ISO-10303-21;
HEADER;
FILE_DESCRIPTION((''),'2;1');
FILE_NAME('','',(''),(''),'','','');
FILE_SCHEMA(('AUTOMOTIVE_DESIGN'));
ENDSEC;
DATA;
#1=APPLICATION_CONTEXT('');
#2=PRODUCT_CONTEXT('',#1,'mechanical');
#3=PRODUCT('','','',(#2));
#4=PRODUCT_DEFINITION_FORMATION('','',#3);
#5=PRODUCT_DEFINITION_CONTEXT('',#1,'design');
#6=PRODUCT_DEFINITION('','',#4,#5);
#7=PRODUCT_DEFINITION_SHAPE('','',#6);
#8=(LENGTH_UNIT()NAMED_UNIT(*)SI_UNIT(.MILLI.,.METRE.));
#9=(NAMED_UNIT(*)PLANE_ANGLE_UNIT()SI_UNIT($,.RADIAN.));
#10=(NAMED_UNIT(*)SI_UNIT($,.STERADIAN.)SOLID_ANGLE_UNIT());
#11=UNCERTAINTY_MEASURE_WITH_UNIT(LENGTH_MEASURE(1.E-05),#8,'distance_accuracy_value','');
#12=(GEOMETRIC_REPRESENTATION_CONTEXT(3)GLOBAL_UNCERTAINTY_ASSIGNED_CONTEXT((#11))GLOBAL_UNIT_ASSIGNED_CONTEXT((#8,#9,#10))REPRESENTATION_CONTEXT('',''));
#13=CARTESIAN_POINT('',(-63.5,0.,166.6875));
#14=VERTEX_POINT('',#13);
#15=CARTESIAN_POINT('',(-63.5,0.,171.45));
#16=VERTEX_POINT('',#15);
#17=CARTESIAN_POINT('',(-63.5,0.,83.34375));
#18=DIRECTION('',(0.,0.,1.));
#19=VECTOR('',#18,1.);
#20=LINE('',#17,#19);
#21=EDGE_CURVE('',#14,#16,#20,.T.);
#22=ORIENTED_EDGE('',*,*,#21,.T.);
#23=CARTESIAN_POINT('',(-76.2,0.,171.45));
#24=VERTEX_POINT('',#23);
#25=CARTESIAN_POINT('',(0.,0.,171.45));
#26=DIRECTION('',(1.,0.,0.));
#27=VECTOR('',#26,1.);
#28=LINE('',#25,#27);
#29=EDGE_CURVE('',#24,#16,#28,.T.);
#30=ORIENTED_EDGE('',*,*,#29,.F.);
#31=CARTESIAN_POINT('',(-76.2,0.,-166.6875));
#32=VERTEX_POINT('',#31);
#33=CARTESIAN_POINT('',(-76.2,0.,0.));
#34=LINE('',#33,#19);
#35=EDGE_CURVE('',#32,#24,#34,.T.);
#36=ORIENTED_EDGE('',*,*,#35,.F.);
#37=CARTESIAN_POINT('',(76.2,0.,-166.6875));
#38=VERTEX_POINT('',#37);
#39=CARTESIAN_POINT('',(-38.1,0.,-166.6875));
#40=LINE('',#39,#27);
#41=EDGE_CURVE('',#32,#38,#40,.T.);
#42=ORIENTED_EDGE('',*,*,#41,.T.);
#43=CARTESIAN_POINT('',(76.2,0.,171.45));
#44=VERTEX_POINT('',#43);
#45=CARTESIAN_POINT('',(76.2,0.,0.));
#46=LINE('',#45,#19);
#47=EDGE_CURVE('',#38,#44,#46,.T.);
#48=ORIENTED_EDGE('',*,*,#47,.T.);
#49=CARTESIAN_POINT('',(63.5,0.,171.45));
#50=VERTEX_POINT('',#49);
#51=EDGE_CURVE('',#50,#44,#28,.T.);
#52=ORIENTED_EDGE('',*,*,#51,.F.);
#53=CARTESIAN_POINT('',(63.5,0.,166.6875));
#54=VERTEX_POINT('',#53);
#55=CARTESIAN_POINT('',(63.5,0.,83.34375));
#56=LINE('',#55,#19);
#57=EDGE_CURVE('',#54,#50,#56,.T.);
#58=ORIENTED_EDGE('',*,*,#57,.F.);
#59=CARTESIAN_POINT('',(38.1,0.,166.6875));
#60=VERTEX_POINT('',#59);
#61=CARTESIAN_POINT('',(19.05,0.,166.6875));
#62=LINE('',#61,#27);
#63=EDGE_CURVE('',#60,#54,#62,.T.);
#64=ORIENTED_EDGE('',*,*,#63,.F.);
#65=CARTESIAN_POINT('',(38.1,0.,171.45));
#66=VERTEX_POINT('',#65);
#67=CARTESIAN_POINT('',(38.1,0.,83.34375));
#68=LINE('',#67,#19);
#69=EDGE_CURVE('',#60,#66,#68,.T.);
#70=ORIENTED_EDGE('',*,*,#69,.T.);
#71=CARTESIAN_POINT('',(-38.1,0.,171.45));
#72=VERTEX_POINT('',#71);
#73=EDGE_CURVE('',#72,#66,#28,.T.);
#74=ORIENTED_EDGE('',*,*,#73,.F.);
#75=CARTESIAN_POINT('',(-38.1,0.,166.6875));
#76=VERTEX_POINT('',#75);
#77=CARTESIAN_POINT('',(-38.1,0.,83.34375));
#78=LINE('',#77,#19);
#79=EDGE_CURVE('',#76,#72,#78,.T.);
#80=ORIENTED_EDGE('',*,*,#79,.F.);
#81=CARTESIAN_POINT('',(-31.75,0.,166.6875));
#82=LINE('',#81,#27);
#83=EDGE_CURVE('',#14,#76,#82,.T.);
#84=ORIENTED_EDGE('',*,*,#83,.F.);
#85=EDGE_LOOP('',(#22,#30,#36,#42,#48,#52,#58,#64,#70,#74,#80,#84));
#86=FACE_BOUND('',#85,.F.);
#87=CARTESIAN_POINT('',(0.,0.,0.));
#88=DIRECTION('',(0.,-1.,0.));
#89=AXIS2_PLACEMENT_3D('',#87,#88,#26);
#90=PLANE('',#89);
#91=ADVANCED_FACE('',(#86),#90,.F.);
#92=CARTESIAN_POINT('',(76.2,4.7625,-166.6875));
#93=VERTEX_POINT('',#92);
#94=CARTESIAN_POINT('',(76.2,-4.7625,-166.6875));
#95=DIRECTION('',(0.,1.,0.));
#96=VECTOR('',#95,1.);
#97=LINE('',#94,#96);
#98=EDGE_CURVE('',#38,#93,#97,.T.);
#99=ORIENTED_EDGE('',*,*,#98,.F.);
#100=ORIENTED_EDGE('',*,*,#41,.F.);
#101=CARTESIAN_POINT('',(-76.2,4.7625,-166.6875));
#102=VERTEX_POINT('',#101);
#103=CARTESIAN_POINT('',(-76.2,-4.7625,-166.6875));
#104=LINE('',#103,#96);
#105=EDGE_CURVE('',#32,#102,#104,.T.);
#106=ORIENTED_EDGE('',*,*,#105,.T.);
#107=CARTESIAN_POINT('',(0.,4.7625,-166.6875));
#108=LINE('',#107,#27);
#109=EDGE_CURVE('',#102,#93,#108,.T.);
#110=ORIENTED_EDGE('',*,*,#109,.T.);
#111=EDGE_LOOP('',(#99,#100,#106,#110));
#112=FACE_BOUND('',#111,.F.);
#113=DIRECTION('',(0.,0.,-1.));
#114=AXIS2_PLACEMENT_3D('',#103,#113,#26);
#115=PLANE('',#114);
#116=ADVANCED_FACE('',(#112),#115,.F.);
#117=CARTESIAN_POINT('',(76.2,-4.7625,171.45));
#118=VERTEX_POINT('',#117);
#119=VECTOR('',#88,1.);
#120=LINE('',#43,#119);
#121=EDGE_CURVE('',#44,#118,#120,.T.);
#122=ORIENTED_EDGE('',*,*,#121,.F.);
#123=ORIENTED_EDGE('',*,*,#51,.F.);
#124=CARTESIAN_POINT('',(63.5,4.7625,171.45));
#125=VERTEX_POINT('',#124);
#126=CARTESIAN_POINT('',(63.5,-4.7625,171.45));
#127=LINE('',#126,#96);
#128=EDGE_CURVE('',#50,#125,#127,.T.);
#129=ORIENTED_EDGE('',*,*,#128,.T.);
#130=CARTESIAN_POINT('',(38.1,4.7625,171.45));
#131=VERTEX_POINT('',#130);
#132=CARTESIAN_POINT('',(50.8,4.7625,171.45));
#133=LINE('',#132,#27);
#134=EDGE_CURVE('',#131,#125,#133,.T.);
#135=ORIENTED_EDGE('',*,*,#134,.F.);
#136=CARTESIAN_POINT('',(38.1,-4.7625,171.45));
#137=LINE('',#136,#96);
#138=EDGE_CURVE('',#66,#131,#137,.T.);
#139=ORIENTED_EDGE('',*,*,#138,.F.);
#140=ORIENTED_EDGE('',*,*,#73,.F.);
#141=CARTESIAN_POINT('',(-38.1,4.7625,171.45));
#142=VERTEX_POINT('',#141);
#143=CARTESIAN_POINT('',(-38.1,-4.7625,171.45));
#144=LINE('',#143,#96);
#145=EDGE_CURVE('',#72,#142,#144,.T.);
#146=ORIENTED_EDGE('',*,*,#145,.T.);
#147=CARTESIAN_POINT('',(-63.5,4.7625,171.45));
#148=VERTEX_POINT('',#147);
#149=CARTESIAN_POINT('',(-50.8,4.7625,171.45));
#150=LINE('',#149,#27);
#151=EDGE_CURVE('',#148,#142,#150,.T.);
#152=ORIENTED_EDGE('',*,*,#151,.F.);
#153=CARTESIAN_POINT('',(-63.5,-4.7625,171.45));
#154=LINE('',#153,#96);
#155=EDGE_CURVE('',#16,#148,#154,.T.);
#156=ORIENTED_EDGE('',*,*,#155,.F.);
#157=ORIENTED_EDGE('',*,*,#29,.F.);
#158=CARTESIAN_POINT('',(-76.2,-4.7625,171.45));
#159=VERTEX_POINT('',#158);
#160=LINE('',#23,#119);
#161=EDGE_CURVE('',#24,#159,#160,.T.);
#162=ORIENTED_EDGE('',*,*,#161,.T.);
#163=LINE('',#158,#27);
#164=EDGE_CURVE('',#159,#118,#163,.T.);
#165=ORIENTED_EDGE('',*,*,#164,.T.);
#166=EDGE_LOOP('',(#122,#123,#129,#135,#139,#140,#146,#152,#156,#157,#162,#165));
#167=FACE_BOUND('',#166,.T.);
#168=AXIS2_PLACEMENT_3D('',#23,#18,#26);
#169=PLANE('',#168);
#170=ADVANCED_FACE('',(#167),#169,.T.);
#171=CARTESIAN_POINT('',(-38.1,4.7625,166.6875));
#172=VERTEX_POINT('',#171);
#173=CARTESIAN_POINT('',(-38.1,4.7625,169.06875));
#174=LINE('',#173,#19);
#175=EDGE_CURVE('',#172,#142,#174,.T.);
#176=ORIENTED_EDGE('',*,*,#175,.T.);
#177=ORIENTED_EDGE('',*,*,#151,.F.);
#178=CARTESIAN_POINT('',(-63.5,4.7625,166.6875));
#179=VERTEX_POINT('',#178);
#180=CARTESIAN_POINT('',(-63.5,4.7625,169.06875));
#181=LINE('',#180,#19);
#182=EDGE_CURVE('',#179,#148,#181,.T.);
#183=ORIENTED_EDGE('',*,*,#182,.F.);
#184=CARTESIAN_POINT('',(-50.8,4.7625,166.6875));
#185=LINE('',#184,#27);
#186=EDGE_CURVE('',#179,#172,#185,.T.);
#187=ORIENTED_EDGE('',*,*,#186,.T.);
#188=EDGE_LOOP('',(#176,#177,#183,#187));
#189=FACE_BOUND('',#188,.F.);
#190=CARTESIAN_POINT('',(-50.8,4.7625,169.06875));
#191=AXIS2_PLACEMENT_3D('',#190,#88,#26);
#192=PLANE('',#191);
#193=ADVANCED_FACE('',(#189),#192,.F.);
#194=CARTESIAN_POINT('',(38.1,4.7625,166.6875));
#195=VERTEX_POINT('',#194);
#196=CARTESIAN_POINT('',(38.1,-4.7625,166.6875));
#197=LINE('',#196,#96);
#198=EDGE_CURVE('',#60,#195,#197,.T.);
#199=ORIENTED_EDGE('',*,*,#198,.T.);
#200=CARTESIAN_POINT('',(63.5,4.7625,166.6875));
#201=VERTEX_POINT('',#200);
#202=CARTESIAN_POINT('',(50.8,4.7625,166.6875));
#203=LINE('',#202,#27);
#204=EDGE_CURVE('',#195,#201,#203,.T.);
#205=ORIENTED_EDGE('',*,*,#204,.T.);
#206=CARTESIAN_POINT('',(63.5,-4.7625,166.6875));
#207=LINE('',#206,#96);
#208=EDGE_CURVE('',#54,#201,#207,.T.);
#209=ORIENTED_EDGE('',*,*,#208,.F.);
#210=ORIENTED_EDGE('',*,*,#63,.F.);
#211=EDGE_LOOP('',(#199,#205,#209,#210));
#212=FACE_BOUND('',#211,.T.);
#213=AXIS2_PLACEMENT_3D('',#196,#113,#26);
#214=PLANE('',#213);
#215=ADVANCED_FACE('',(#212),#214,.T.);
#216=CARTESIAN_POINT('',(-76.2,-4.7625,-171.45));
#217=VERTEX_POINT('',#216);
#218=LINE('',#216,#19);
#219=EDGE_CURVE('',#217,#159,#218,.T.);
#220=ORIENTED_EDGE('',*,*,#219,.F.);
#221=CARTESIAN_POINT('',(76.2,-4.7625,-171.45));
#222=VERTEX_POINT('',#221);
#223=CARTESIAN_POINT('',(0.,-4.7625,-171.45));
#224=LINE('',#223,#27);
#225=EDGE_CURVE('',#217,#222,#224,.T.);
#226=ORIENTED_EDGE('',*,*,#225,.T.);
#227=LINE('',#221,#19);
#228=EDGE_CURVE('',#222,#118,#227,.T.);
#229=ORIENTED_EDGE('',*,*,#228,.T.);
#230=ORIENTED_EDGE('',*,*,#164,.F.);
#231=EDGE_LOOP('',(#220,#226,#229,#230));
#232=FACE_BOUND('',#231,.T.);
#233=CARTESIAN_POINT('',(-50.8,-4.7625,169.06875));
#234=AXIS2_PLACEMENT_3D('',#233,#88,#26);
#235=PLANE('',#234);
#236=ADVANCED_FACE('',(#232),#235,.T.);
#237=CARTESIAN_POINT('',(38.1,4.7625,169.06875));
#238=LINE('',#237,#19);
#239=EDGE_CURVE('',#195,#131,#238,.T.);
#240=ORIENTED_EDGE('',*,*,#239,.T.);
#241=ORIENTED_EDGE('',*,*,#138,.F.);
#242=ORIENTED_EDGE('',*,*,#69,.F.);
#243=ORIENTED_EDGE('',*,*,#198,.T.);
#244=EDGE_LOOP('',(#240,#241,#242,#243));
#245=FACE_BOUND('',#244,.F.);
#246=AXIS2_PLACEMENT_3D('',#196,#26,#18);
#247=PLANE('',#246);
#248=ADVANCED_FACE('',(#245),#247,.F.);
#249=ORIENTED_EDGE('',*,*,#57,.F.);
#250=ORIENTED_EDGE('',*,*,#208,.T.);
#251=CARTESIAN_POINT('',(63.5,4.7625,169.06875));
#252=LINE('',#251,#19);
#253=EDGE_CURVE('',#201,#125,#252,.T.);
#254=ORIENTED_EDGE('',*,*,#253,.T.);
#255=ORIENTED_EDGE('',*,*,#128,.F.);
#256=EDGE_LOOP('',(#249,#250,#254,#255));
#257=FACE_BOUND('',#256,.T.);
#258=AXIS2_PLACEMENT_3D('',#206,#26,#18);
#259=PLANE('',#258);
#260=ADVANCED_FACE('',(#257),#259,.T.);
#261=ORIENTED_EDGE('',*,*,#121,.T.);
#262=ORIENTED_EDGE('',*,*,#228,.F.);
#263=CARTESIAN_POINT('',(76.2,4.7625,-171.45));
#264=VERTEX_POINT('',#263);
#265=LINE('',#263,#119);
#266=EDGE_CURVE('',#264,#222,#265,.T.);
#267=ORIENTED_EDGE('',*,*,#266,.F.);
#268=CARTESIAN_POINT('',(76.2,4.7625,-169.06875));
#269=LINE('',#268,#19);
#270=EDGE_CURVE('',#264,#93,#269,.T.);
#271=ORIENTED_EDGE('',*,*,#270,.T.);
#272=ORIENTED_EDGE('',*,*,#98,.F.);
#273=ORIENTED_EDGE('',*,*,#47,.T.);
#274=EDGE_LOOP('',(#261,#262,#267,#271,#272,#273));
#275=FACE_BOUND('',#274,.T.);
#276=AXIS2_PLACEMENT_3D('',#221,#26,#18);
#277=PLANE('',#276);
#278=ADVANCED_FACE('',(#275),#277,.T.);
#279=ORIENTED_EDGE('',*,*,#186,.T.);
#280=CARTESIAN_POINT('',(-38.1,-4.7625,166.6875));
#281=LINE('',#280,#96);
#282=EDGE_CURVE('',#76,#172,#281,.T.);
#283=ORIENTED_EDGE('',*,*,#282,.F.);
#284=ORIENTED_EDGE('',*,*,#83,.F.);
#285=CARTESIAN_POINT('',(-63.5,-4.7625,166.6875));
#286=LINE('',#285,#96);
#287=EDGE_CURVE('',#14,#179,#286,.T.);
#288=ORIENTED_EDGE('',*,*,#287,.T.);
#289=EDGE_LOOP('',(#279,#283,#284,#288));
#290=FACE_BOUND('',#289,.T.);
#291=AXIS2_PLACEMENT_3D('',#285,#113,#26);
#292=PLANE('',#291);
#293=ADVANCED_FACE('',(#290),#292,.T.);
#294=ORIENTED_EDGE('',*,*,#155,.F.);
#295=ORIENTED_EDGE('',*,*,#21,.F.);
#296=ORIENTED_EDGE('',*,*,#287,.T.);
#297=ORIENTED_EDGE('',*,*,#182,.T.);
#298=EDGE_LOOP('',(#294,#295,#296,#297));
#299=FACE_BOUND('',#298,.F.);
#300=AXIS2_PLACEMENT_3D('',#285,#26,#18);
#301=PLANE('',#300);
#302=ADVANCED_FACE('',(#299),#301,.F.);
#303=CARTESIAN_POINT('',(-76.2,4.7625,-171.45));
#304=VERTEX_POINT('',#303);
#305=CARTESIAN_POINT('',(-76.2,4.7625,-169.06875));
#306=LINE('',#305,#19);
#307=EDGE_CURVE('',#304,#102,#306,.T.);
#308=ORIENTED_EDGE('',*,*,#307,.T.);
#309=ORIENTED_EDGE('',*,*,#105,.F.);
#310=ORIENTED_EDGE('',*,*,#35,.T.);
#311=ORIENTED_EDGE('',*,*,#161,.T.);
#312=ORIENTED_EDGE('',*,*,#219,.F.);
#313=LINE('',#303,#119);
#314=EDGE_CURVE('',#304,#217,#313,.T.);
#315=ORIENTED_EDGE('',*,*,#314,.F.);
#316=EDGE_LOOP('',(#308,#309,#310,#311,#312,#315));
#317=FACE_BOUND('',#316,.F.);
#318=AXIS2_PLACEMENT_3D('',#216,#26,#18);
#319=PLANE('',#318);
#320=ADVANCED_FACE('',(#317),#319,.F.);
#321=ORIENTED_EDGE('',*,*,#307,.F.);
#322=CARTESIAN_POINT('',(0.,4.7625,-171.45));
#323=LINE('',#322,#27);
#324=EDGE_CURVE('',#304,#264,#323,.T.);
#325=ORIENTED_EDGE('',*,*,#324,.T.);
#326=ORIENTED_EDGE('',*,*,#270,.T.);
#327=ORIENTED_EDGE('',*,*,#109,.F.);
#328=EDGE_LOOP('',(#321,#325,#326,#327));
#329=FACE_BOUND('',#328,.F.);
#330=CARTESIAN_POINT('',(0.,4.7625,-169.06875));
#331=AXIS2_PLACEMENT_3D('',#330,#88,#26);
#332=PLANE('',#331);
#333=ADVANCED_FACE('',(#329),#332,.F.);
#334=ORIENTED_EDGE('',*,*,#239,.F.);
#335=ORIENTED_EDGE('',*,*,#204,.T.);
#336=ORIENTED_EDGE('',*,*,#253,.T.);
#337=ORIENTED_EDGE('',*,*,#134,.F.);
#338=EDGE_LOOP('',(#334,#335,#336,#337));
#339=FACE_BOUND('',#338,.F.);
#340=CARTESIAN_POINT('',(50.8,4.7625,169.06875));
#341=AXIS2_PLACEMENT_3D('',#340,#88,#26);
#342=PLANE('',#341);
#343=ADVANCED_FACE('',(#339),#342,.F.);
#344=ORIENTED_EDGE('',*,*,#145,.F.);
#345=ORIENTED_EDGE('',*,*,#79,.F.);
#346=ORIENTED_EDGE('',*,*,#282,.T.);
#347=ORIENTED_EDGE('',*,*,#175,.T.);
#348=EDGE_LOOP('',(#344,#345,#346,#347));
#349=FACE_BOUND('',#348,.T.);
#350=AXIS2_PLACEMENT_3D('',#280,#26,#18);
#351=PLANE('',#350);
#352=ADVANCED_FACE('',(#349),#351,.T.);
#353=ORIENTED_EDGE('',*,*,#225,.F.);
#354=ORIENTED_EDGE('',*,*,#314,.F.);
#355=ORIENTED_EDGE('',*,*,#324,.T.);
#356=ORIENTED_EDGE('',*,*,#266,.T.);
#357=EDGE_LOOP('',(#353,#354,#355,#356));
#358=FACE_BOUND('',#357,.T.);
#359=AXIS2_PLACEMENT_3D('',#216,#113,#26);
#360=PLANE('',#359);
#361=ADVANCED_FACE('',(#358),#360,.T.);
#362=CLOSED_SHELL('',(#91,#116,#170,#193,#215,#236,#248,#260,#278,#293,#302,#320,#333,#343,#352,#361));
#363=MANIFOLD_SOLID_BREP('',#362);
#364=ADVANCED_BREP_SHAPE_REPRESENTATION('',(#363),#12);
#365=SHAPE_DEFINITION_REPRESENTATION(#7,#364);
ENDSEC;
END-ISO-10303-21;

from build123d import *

# Parameters (mm, degrees)
F0_W     = 152.4
F0_H     = 342.9
F1_DEPTH = 4.7625
F2_W     = 25.4
F2_H     = 4.7625
F3_DEPTH = 9.525
F4_W     = 152.4
F4_H     = 4.7625
F5_DEPTH = 9.525


with BuildPart() as f1:
    # F0 (on Front) → F1 (new body)
    with BuildSketch(Plane.XZ):
        Rectangle(F0_W, F0_H)
    extrude(amount=F1_DEPTH)

    # F2 (on face) → F3 (join)
    with BuildSketch(Plane.XZ.offset(4.7625)):
        with Locations((-50.8, 169.06875)):
            Rectangle(F2_W, F2_H)
        with Locations((50.8, 169.06875)):
            Rectangle(F2_W, F2_H)
    extrude(amount=-F3_DEPTH)

    # F4 (on face) → F5 (join)
    with BuildSketch(Plane.XZ.offset(4.7625)):
        with Locations((0, -169.06875)):
            Rectangle(F4_W, F4_H)
    extrude(amount=-F5_DEPTH)


solid = f1.part
